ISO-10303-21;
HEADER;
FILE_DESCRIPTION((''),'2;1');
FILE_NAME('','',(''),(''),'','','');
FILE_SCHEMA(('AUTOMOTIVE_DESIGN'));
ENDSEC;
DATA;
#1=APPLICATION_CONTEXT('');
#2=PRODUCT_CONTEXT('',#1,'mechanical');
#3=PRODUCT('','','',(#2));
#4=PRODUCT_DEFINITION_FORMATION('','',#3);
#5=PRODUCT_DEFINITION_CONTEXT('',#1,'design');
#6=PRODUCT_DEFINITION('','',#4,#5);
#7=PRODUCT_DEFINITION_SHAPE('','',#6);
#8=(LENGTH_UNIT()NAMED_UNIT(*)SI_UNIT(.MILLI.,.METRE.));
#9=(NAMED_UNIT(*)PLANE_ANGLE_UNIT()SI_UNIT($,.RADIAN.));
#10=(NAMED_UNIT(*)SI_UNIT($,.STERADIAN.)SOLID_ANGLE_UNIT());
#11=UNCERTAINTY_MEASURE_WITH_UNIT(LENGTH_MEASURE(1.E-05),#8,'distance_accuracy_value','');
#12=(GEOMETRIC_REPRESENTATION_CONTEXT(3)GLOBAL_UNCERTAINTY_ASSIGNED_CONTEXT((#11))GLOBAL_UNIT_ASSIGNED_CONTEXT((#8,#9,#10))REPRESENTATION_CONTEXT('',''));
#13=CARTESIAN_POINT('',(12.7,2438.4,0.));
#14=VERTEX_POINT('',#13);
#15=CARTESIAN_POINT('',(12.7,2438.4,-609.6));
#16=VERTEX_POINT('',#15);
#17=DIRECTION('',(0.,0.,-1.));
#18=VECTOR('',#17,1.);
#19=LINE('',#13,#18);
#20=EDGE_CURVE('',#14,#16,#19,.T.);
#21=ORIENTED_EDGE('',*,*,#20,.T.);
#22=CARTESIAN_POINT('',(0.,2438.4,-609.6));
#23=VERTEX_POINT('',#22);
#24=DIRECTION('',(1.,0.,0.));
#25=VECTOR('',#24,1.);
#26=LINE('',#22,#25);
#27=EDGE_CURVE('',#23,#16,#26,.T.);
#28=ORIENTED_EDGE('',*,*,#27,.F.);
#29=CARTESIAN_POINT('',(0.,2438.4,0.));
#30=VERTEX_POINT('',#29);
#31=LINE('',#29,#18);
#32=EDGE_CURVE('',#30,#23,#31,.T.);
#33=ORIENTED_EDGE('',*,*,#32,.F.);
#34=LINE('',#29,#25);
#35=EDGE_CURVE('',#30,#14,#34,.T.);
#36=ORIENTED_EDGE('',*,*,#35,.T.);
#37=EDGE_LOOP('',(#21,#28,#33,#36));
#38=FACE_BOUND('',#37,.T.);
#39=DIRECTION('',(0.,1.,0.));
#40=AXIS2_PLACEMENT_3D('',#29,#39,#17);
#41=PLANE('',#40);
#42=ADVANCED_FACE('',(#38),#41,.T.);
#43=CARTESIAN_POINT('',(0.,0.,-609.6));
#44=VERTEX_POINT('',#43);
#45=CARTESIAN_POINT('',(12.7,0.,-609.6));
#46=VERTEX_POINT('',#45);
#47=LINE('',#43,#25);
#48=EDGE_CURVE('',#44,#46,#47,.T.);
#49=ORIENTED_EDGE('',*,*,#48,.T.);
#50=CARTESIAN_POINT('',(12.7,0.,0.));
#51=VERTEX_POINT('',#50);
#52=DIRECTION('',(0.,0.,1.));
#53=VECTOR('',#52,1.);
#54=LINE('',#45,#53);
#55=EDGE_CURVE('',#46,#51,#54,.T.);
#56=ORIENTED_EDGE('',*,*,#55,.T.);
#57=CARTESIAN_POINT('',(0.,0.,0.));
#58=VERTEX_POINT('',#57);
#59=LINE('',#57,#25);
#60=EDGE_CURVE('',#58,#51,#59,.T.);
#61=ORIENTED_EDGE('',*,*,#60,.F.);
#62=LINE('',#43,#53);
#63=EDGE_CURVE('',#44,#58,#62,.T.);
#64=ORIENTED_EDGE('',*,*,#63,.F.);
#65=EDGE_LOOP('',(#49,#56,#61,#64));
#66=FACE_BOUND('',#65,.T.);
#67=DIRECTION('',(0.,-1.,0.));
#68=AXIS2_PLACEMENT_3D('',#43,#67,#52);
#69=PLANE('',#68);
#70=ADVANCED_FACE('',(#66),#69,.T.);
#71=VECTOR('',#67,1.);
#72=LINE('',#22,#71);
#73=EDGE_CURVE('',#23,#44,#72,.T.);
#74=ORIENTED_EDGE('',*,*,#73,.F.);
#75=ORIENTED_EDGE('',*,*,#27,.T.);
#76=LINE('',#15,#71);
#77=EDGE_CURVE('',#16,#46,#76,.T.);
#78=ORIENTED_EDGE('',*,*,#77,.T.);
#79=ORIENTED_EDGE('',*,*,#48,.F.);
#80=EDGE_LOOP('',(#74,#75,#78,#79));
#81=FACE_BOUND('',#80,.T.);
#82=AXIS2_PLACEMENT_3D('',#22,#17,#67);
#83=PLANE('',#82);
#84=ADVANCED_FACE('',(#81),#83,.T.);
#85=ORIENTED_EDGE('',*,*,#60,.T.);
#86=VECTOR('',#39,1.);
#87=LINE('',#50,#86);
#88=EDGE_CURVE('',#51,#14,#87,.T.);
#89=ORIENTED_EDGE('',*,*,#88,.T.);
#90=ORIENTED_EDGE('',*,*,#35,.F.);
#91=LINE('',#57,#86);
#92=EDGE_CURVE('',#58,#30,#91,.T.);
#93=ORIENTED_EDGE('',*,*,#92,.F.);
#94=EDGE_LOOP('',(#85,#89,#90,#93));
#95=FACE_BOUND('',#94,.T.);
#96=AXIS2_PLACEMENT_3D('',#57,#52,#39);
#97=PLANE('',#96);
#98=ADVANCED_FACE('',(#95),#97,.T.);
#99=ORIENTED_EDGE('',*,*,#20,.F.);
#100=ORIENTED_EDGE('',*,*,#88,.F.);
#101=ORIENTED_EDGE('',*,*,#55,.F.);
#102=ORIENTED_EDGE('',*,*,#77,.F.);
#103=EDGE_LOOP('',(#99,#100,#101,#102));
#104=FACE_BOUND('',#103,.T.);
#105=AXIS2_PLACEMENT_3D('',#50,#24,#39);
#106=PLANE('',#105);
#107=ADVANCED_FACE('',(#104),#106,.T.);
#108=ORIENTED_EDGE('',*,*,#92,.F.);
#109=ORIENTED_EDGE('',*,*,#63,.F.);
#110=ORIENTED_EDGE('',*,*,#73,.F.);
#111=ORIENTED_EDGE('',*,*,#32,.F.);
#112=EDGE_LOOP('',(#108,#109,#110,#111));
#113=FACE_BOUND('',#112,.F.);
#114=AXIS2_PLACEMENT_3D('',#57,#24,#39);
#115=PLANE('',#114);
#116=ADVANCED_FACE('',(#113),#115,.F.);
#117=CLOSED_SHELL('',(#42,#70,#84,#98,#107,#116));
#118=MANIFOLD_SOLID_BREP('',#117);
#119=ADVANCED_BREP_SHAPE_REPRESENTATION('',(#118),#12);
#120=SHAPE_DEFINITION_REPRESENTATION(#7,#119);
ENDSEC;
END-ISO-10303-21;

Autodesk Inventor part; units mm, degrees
ref_plane "YZ Plane" through (0, 0, 0) normal (1, 0, 0) x (0, 1, 0)
ref_plane "XZ Plane" through (0, 0, 0) normal (0, 1, 0) x (-1, 0, 0)
ref_plane "XY Plane" through (0, 0, 0) normal (0, 0, 1) x (1, 0, 0)
sketch "Sketch1" plane through (0, 0, 0) normal (1, 0, 0) x (0, 1, 0)
  line L0 (0, 0) -> (2438.4, 0)
  line L1 (2438.4, 0) -> (2438.4, -609.6)
  line L2 (2438.4, -609.6) -> (0, -609.6)
  line L3 (0, -609.6) -> (0, 0)
  dimension "d0" = 609.6
  dimension "d1" = 2438.4
extrude "Extrusion1" add sketch "Sketch1" along normal blind 12.7
properties part number "Sample"
